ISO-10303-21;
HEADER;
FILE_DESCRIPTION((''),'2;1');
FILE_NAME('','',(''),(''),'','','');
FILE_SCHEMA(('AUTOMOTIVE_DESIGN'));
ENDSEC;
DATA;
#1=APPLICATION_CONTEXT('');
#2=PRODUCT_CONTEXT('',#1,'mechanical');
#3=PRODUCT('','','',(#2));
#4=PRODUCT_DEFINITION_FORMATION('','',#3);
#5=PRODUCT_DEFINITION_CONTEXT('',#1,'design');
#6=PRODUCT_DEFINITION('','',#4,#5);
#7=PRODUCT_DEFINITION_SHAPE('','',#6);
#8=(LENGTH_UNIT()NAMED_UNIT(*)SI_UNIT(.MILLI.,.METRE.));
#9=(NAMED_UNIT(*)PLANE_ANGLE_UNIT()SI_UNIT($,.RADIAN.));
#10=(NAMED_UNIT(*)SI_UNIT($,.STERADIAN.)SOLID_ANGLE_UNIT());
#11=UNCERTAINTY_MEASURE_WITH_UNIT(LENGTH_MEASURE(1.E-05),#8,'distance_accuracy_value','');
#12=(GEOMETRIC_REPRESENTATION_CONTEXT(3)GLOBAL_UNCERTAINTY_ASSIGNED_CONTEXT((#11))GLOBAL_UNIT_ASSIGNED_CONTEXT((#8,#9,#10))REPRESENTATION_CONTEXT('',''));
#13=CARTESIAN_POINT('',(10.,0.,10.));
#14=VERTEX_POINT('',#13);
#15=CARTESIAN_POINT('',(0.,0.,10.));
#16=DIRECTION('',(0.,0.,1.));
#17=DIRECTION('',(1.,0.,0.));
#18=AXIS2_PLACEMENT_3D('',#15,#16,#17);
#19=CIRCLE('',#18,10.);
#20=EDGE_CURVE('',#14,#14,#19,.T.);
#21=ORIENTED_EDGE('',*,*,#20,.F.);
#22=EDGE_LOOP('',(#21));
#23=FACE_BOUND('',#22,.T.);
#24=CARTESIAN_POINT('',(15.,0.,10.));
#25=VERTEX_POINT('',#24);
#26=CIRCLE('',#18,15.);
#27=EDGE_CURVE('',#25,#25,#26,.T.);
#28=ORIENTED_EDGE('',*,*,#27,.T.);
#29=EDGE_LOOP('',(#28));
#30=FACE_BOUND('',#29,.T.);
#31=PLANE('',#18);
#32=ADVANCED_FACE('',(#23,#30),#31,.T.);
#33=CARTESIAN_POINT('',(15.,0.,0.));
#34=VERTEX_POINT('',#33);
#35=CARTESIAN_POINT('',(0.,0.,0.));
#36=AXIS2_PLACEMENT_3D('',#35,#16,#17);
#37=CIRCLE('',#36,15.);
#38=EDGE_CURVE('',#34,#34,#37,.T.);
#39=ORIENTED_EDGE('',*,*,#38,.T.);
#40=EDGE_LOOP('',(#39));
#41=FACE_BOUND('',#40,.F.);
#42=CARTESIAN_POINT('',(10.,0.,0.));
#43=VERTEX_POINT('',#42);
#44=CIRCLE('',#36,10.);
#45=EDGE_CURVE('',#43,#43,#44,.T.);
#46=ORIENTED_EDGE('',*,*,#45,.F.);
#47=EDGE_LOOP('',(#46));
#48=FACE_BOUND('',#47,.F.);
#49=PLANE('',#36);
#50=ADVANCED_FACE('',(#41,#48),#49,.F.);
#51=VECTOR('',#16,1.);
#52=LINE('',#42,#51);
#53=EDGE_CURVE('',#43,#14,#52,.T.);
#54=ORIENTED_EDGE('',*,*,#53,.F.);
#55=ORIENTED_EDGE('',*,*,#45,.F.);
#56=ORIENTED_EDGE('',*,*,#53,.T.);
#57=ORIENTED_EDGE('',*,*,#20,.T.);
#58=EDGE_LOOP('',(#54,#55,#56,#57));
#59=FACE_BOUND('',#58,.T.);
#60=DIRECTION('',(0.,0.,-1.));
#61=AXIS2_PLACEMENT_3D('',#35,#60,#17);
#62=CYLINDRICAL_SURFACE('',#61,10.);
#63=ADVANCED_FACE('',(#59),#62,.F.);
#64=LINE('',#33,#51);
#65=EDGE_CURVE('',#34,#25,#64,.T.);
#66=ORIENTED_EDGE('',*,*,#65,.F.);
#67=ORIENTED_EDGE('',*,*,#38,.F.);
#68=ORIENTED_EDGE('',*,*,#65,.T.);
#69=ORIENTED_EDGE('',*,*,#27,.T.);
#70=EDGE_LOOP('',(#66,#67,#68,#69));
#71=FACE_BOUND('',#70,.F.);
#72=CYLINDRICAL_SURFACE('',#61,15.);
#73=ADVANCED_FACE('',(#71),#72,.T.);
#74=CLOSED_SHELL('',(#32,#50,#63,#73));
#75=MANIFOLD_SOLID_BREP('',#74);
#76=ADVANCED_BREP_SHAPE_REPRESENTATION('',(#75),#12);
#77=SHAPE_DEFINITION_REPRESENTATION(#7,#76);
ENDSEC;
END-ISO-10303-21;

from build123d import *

# Parameters (mm, degrees)
SKETCH1_R           = 15
SKETCH1_R_2         = 10
BOSS_EXTRUDE1_DEPTH = 10


with BuildPart() as part:
    # Sketch1 → Boss-Extrude1 (new body)
    with BuildSketch(Plane.XY):
        Circle(SKETCH1_R)
        Circle(SKETCH1_R_2, mode=Mode.SUBTRACT)
    extrude(amount=BOSS_EXTRUDE1_DEPTH)


solid = part.part
